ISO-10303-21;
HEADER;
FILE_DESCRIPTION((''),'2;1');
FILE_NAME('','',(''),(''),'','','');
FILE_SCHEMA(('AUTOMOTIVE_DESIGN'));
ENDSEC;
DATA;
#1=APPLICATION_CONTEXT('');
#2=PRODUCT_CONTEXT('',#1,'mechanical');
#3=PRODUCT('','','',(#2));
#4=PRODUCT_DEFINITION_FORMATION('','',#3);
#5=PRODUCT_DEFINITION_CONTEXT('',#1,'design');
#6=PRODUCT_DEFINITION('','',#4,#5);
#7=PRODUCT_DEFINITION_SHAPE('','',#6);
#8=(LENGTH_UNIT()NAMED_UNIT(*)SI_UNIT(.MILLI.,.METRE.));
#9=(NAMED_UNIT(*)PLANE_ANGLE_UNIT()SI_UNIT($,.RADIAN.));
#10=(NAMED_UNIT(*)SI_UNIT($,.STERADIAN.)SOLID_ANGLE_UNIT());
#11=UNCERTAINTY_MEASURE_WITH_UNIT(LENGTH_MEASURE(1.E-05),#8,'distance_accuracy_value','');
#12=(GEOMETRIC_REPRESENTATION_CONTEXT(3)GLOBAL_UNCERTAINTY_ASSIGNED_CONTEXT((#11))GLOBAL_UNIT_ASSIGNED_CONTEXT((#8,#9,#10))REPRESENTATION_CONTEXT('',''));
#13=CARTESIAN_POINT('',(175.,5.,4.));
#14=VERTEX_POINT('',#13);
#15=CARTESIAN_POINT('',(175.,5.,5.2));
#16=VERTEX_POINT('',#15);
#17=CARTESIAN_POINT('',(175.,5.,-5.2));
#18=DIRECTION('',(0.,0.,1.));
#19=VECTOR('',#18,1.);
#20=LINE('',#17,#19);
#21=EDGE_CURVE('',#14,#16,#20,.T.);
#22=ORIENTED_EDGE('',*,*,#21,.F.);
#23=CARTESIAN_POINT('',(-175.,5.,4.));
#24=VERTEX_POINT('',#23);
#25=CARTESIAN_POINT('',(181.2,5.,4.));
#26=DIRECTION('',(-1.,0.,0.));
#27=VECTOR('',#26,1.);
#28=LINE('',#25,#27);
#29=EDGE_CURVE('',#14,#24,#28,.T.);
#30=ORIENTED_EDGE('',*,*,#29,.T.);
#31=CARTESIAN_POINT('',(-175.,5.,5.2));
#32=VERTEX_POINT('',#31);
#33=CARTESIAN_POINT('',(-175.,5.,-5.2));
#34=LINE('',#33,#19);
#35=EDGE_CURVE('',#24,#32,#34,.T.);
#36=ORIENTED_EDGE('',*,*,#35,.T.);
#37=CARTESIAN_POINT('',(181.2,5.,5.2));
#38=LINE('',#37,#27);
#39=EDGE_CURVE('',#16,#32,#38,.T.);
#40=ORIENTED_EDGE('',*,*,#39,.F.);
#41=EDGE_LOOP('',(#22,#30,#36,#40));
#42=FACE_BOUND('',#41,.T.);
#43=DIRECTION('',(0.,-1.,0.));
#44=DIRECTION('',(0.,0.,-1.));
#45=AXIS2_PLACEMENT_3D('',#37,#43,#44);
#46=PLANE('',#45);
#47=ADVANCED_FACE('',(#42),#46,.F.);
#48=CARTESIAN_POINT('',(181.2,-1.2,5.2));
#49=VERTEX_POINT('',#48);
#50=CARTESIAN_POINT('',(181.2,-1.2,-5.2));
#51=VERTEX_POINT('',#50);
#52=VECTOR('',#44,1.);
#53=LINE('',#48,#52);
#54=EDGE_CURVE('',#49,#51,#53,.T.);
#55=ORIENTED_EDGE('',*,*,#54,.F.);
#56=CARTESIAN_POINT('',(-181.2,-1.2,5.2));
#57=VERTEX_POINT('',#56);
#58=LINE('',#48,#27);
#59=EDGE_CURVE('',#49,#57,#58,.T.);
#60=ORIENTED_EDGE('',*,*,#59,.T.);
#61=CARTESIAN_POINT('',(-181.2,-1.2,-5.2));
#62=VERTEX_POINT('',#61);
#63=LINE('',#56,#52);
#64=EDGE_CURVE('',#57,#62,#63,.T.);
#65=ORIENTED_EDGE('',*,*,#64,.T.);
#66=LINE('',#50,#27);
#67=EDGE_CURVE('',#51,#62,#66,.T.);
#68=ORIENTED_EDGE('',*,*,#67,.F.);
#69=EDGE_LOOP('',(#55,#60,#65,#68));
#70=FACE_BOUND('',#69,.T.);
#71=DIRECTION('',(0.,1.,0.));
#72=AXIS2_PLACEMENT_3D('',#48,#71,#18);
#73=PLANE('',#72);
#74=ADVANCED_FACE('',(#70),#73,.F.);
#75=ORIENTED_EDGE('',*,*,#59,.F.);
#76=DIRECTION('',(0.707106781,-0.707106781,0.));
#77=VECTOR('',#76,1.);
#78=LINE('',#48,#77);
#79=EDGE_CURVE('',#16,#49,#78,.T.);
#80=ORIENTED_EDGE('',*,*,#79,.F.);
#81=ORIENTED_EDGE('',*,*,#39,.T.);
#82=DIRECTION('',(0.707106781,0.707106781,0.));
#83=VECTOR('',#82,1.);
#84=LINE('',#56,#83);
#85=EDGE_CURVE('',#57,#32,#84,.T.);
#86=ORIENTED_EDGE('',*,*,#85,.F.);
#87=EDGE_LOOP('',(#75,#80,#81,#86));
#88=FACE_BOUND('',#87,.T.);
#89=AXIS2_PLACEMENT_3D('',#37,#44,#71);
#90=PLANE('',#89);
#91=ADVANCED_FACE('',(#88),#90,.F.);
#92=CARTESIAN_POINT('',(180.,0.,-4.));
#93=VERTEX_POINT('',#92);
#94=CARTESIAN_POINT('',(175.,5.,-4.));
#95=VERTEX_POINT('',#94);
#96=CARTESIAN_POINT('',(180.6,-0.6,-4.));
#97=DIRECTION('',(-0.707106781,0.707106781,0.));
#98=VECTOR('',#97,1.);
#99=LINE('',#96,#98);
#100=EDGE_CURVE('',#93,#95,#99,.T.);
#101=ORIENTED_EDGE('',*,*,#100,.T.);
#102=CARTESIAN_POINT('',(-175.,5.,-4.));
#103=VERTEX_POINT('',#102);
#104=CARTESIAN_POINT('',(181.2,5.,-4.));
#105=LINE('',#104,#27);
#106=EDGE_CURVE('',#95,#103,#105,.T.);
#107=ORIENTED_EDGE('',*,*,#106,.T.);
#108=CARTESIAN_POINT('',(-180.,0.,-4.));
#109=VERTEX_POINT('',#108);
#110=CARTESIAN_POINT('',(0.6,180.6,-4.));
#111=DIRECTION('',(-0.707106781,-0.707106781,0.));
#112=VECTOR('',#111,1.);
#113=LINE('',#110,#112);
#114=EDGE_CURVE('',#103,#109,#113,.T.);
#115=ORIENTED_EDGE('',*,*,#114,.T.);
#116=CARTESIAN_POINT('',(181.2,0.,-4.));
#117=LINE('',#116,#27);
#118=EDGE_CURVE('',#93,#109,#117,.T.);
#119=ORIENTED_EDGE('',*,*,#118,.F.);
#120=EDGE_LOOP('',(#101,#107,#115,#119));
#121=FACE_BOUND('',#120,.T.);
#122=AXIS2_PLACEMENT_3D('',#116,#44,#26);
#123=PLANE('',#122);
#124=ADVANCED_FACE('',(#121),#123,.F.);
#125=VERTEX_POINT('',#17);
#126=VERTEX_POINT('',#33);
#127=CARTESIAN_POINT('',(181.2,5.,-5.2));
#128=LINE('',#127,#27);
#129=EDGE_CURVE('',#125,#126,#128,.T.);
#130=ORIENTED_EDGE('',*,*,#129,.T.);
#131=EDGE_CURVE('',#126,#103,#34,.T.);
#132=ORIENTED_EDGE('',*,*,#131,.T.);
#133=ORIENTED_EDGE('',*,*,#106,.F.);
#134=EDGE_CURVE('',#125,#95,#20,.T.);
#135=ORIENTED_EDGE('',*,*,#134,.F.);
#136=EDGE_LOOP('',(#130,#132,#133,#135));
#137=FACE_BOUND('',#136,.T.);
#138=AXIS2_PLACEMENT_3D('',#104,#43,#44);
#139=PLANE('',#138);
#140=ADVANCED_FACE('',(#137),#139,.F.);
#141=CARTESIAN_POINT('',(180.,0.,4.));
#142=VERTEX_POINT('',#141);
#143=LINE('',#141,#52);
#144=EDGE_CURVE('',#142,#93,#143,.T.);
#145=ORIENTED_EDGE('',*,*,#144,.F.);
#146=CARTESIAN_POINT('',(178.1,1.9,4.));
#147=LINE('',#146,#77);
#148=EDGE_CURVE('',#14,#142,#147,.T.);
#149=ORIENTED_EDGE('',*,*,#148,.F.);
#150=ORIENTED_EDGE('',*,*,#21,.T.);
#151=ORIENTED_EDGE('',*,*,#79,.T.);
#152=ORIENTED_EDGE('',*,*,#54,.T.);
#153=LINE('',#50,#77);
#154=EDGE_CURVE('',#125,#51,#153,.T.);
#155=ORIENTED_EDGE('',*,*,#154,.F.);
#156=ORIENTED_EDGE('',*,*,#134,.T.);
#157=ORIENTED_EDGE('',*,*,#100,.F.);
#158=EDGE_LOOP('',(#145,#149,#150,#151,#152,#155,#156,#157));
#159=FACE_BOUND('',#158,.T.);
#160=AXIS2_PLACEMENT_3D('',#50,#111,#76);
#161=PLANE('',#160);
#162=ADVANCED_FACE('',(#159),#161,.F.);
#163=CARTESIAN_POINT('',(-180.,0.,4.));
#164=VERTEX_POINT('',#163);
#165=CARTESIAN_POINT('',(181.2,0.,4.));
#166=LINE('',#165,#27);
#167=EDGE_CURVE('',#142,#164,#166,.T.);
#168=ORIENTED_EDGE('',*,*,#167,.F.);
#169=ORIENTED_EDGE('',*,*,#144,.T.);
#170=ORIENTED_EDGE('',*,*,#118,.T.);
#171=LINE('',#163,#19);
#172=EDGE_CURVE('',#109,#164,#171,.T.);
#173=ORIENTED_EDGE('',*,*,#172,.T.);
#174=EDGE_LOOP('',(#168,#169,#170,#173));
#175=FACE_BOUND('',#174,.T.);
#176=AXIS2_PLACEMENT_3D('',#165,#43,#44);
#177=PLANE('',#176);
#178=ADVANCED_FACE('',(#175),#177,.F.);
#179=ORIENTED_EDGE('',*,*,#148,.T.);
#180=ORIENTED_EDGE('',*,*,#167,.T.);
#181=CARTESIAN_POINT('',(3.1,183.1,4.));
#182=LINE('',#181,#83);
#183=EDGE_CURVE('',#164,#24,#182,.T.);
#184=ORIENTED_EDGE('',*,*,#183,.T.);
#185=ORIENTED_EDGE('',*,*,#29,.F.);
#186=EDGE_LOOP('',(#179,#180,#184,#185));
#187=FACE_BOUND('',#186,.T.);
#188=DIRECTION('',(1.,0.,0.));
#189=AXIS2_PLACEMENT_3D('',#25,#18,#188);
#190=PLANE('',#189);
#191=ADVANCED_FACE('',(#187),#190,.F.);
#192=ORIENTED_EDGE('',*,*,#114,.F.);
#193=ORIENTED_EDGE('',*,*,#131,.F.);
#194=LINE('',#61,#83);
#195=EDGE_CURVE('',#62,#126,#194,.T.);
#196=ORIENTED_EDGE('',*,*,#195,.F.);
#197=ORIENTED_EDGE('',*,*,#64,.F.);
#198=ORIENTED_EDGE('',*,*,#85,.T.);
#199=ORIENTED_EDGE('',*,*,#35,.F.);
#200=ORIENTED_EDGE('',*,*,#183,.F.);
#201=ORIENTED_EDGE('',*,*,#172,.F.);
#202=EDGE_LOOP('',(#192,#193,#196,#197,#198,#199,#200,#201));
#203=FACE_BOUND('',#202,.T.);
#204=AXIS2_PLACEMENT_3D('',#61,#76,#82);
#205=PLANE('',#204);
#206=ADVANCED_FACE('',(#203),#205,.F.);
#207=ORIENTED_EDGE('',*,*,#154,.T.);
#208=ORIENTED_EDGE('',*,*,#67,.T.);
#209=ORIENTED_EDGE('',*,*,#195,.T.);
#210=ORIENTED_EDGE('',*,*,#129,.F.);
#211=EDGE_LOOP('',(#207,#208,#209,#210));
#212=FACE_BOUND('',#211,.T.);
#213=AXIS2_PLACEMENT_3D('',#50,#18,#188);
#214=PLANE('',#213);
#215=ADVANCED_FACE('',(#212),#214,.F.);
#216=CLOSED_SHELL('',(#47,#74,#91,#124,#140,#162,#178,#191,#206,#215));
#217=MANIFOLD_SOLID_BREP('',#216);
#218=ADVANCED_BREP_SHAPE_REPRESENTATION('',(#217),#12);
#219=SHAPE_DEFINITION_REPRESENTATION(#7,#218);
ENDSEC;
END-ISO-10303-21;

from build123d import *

# Parameters (mm, degrees)
BOSS_EXTRUDE1_DEPTH = 181.2
CUT_EXTRUDE1_DEPTH  = 11.4


with BuildPart() as part:
    # Sketch1 → Boss-Extrude1 (new body, symmetric)
    with BuildSketch(Plane(origin=(0, 0, 0), x_dir=(0, 0, -1), z_dir=(1, 0, 0))):
        Polygon((-4, 5), (-4, 0), (4, 0), (4, 5), (5.2, 5), (5.2, -1.2), (-5.2, -1.2), (-5.2, 5), align=None)
    extrude(amount=BOSS_EXTRUDE1_DEPTH, both=True)

    # Sketch3 → Cut-Extrude1 (cut, through all)
    with BuildSketch(Plane.XY.offset(5.2)):
        Polygon((-181.2, 5), (-181.2, -1.2), (-175, 5), align=None)
        Polygon((181.2, 5), (181.2, -1.2), (175, 5), align=None)
    extrude(amount=-CUT_EXTRUDE1_DEPTH, mode=Mode.SUBTRACT)


solid = part.part
